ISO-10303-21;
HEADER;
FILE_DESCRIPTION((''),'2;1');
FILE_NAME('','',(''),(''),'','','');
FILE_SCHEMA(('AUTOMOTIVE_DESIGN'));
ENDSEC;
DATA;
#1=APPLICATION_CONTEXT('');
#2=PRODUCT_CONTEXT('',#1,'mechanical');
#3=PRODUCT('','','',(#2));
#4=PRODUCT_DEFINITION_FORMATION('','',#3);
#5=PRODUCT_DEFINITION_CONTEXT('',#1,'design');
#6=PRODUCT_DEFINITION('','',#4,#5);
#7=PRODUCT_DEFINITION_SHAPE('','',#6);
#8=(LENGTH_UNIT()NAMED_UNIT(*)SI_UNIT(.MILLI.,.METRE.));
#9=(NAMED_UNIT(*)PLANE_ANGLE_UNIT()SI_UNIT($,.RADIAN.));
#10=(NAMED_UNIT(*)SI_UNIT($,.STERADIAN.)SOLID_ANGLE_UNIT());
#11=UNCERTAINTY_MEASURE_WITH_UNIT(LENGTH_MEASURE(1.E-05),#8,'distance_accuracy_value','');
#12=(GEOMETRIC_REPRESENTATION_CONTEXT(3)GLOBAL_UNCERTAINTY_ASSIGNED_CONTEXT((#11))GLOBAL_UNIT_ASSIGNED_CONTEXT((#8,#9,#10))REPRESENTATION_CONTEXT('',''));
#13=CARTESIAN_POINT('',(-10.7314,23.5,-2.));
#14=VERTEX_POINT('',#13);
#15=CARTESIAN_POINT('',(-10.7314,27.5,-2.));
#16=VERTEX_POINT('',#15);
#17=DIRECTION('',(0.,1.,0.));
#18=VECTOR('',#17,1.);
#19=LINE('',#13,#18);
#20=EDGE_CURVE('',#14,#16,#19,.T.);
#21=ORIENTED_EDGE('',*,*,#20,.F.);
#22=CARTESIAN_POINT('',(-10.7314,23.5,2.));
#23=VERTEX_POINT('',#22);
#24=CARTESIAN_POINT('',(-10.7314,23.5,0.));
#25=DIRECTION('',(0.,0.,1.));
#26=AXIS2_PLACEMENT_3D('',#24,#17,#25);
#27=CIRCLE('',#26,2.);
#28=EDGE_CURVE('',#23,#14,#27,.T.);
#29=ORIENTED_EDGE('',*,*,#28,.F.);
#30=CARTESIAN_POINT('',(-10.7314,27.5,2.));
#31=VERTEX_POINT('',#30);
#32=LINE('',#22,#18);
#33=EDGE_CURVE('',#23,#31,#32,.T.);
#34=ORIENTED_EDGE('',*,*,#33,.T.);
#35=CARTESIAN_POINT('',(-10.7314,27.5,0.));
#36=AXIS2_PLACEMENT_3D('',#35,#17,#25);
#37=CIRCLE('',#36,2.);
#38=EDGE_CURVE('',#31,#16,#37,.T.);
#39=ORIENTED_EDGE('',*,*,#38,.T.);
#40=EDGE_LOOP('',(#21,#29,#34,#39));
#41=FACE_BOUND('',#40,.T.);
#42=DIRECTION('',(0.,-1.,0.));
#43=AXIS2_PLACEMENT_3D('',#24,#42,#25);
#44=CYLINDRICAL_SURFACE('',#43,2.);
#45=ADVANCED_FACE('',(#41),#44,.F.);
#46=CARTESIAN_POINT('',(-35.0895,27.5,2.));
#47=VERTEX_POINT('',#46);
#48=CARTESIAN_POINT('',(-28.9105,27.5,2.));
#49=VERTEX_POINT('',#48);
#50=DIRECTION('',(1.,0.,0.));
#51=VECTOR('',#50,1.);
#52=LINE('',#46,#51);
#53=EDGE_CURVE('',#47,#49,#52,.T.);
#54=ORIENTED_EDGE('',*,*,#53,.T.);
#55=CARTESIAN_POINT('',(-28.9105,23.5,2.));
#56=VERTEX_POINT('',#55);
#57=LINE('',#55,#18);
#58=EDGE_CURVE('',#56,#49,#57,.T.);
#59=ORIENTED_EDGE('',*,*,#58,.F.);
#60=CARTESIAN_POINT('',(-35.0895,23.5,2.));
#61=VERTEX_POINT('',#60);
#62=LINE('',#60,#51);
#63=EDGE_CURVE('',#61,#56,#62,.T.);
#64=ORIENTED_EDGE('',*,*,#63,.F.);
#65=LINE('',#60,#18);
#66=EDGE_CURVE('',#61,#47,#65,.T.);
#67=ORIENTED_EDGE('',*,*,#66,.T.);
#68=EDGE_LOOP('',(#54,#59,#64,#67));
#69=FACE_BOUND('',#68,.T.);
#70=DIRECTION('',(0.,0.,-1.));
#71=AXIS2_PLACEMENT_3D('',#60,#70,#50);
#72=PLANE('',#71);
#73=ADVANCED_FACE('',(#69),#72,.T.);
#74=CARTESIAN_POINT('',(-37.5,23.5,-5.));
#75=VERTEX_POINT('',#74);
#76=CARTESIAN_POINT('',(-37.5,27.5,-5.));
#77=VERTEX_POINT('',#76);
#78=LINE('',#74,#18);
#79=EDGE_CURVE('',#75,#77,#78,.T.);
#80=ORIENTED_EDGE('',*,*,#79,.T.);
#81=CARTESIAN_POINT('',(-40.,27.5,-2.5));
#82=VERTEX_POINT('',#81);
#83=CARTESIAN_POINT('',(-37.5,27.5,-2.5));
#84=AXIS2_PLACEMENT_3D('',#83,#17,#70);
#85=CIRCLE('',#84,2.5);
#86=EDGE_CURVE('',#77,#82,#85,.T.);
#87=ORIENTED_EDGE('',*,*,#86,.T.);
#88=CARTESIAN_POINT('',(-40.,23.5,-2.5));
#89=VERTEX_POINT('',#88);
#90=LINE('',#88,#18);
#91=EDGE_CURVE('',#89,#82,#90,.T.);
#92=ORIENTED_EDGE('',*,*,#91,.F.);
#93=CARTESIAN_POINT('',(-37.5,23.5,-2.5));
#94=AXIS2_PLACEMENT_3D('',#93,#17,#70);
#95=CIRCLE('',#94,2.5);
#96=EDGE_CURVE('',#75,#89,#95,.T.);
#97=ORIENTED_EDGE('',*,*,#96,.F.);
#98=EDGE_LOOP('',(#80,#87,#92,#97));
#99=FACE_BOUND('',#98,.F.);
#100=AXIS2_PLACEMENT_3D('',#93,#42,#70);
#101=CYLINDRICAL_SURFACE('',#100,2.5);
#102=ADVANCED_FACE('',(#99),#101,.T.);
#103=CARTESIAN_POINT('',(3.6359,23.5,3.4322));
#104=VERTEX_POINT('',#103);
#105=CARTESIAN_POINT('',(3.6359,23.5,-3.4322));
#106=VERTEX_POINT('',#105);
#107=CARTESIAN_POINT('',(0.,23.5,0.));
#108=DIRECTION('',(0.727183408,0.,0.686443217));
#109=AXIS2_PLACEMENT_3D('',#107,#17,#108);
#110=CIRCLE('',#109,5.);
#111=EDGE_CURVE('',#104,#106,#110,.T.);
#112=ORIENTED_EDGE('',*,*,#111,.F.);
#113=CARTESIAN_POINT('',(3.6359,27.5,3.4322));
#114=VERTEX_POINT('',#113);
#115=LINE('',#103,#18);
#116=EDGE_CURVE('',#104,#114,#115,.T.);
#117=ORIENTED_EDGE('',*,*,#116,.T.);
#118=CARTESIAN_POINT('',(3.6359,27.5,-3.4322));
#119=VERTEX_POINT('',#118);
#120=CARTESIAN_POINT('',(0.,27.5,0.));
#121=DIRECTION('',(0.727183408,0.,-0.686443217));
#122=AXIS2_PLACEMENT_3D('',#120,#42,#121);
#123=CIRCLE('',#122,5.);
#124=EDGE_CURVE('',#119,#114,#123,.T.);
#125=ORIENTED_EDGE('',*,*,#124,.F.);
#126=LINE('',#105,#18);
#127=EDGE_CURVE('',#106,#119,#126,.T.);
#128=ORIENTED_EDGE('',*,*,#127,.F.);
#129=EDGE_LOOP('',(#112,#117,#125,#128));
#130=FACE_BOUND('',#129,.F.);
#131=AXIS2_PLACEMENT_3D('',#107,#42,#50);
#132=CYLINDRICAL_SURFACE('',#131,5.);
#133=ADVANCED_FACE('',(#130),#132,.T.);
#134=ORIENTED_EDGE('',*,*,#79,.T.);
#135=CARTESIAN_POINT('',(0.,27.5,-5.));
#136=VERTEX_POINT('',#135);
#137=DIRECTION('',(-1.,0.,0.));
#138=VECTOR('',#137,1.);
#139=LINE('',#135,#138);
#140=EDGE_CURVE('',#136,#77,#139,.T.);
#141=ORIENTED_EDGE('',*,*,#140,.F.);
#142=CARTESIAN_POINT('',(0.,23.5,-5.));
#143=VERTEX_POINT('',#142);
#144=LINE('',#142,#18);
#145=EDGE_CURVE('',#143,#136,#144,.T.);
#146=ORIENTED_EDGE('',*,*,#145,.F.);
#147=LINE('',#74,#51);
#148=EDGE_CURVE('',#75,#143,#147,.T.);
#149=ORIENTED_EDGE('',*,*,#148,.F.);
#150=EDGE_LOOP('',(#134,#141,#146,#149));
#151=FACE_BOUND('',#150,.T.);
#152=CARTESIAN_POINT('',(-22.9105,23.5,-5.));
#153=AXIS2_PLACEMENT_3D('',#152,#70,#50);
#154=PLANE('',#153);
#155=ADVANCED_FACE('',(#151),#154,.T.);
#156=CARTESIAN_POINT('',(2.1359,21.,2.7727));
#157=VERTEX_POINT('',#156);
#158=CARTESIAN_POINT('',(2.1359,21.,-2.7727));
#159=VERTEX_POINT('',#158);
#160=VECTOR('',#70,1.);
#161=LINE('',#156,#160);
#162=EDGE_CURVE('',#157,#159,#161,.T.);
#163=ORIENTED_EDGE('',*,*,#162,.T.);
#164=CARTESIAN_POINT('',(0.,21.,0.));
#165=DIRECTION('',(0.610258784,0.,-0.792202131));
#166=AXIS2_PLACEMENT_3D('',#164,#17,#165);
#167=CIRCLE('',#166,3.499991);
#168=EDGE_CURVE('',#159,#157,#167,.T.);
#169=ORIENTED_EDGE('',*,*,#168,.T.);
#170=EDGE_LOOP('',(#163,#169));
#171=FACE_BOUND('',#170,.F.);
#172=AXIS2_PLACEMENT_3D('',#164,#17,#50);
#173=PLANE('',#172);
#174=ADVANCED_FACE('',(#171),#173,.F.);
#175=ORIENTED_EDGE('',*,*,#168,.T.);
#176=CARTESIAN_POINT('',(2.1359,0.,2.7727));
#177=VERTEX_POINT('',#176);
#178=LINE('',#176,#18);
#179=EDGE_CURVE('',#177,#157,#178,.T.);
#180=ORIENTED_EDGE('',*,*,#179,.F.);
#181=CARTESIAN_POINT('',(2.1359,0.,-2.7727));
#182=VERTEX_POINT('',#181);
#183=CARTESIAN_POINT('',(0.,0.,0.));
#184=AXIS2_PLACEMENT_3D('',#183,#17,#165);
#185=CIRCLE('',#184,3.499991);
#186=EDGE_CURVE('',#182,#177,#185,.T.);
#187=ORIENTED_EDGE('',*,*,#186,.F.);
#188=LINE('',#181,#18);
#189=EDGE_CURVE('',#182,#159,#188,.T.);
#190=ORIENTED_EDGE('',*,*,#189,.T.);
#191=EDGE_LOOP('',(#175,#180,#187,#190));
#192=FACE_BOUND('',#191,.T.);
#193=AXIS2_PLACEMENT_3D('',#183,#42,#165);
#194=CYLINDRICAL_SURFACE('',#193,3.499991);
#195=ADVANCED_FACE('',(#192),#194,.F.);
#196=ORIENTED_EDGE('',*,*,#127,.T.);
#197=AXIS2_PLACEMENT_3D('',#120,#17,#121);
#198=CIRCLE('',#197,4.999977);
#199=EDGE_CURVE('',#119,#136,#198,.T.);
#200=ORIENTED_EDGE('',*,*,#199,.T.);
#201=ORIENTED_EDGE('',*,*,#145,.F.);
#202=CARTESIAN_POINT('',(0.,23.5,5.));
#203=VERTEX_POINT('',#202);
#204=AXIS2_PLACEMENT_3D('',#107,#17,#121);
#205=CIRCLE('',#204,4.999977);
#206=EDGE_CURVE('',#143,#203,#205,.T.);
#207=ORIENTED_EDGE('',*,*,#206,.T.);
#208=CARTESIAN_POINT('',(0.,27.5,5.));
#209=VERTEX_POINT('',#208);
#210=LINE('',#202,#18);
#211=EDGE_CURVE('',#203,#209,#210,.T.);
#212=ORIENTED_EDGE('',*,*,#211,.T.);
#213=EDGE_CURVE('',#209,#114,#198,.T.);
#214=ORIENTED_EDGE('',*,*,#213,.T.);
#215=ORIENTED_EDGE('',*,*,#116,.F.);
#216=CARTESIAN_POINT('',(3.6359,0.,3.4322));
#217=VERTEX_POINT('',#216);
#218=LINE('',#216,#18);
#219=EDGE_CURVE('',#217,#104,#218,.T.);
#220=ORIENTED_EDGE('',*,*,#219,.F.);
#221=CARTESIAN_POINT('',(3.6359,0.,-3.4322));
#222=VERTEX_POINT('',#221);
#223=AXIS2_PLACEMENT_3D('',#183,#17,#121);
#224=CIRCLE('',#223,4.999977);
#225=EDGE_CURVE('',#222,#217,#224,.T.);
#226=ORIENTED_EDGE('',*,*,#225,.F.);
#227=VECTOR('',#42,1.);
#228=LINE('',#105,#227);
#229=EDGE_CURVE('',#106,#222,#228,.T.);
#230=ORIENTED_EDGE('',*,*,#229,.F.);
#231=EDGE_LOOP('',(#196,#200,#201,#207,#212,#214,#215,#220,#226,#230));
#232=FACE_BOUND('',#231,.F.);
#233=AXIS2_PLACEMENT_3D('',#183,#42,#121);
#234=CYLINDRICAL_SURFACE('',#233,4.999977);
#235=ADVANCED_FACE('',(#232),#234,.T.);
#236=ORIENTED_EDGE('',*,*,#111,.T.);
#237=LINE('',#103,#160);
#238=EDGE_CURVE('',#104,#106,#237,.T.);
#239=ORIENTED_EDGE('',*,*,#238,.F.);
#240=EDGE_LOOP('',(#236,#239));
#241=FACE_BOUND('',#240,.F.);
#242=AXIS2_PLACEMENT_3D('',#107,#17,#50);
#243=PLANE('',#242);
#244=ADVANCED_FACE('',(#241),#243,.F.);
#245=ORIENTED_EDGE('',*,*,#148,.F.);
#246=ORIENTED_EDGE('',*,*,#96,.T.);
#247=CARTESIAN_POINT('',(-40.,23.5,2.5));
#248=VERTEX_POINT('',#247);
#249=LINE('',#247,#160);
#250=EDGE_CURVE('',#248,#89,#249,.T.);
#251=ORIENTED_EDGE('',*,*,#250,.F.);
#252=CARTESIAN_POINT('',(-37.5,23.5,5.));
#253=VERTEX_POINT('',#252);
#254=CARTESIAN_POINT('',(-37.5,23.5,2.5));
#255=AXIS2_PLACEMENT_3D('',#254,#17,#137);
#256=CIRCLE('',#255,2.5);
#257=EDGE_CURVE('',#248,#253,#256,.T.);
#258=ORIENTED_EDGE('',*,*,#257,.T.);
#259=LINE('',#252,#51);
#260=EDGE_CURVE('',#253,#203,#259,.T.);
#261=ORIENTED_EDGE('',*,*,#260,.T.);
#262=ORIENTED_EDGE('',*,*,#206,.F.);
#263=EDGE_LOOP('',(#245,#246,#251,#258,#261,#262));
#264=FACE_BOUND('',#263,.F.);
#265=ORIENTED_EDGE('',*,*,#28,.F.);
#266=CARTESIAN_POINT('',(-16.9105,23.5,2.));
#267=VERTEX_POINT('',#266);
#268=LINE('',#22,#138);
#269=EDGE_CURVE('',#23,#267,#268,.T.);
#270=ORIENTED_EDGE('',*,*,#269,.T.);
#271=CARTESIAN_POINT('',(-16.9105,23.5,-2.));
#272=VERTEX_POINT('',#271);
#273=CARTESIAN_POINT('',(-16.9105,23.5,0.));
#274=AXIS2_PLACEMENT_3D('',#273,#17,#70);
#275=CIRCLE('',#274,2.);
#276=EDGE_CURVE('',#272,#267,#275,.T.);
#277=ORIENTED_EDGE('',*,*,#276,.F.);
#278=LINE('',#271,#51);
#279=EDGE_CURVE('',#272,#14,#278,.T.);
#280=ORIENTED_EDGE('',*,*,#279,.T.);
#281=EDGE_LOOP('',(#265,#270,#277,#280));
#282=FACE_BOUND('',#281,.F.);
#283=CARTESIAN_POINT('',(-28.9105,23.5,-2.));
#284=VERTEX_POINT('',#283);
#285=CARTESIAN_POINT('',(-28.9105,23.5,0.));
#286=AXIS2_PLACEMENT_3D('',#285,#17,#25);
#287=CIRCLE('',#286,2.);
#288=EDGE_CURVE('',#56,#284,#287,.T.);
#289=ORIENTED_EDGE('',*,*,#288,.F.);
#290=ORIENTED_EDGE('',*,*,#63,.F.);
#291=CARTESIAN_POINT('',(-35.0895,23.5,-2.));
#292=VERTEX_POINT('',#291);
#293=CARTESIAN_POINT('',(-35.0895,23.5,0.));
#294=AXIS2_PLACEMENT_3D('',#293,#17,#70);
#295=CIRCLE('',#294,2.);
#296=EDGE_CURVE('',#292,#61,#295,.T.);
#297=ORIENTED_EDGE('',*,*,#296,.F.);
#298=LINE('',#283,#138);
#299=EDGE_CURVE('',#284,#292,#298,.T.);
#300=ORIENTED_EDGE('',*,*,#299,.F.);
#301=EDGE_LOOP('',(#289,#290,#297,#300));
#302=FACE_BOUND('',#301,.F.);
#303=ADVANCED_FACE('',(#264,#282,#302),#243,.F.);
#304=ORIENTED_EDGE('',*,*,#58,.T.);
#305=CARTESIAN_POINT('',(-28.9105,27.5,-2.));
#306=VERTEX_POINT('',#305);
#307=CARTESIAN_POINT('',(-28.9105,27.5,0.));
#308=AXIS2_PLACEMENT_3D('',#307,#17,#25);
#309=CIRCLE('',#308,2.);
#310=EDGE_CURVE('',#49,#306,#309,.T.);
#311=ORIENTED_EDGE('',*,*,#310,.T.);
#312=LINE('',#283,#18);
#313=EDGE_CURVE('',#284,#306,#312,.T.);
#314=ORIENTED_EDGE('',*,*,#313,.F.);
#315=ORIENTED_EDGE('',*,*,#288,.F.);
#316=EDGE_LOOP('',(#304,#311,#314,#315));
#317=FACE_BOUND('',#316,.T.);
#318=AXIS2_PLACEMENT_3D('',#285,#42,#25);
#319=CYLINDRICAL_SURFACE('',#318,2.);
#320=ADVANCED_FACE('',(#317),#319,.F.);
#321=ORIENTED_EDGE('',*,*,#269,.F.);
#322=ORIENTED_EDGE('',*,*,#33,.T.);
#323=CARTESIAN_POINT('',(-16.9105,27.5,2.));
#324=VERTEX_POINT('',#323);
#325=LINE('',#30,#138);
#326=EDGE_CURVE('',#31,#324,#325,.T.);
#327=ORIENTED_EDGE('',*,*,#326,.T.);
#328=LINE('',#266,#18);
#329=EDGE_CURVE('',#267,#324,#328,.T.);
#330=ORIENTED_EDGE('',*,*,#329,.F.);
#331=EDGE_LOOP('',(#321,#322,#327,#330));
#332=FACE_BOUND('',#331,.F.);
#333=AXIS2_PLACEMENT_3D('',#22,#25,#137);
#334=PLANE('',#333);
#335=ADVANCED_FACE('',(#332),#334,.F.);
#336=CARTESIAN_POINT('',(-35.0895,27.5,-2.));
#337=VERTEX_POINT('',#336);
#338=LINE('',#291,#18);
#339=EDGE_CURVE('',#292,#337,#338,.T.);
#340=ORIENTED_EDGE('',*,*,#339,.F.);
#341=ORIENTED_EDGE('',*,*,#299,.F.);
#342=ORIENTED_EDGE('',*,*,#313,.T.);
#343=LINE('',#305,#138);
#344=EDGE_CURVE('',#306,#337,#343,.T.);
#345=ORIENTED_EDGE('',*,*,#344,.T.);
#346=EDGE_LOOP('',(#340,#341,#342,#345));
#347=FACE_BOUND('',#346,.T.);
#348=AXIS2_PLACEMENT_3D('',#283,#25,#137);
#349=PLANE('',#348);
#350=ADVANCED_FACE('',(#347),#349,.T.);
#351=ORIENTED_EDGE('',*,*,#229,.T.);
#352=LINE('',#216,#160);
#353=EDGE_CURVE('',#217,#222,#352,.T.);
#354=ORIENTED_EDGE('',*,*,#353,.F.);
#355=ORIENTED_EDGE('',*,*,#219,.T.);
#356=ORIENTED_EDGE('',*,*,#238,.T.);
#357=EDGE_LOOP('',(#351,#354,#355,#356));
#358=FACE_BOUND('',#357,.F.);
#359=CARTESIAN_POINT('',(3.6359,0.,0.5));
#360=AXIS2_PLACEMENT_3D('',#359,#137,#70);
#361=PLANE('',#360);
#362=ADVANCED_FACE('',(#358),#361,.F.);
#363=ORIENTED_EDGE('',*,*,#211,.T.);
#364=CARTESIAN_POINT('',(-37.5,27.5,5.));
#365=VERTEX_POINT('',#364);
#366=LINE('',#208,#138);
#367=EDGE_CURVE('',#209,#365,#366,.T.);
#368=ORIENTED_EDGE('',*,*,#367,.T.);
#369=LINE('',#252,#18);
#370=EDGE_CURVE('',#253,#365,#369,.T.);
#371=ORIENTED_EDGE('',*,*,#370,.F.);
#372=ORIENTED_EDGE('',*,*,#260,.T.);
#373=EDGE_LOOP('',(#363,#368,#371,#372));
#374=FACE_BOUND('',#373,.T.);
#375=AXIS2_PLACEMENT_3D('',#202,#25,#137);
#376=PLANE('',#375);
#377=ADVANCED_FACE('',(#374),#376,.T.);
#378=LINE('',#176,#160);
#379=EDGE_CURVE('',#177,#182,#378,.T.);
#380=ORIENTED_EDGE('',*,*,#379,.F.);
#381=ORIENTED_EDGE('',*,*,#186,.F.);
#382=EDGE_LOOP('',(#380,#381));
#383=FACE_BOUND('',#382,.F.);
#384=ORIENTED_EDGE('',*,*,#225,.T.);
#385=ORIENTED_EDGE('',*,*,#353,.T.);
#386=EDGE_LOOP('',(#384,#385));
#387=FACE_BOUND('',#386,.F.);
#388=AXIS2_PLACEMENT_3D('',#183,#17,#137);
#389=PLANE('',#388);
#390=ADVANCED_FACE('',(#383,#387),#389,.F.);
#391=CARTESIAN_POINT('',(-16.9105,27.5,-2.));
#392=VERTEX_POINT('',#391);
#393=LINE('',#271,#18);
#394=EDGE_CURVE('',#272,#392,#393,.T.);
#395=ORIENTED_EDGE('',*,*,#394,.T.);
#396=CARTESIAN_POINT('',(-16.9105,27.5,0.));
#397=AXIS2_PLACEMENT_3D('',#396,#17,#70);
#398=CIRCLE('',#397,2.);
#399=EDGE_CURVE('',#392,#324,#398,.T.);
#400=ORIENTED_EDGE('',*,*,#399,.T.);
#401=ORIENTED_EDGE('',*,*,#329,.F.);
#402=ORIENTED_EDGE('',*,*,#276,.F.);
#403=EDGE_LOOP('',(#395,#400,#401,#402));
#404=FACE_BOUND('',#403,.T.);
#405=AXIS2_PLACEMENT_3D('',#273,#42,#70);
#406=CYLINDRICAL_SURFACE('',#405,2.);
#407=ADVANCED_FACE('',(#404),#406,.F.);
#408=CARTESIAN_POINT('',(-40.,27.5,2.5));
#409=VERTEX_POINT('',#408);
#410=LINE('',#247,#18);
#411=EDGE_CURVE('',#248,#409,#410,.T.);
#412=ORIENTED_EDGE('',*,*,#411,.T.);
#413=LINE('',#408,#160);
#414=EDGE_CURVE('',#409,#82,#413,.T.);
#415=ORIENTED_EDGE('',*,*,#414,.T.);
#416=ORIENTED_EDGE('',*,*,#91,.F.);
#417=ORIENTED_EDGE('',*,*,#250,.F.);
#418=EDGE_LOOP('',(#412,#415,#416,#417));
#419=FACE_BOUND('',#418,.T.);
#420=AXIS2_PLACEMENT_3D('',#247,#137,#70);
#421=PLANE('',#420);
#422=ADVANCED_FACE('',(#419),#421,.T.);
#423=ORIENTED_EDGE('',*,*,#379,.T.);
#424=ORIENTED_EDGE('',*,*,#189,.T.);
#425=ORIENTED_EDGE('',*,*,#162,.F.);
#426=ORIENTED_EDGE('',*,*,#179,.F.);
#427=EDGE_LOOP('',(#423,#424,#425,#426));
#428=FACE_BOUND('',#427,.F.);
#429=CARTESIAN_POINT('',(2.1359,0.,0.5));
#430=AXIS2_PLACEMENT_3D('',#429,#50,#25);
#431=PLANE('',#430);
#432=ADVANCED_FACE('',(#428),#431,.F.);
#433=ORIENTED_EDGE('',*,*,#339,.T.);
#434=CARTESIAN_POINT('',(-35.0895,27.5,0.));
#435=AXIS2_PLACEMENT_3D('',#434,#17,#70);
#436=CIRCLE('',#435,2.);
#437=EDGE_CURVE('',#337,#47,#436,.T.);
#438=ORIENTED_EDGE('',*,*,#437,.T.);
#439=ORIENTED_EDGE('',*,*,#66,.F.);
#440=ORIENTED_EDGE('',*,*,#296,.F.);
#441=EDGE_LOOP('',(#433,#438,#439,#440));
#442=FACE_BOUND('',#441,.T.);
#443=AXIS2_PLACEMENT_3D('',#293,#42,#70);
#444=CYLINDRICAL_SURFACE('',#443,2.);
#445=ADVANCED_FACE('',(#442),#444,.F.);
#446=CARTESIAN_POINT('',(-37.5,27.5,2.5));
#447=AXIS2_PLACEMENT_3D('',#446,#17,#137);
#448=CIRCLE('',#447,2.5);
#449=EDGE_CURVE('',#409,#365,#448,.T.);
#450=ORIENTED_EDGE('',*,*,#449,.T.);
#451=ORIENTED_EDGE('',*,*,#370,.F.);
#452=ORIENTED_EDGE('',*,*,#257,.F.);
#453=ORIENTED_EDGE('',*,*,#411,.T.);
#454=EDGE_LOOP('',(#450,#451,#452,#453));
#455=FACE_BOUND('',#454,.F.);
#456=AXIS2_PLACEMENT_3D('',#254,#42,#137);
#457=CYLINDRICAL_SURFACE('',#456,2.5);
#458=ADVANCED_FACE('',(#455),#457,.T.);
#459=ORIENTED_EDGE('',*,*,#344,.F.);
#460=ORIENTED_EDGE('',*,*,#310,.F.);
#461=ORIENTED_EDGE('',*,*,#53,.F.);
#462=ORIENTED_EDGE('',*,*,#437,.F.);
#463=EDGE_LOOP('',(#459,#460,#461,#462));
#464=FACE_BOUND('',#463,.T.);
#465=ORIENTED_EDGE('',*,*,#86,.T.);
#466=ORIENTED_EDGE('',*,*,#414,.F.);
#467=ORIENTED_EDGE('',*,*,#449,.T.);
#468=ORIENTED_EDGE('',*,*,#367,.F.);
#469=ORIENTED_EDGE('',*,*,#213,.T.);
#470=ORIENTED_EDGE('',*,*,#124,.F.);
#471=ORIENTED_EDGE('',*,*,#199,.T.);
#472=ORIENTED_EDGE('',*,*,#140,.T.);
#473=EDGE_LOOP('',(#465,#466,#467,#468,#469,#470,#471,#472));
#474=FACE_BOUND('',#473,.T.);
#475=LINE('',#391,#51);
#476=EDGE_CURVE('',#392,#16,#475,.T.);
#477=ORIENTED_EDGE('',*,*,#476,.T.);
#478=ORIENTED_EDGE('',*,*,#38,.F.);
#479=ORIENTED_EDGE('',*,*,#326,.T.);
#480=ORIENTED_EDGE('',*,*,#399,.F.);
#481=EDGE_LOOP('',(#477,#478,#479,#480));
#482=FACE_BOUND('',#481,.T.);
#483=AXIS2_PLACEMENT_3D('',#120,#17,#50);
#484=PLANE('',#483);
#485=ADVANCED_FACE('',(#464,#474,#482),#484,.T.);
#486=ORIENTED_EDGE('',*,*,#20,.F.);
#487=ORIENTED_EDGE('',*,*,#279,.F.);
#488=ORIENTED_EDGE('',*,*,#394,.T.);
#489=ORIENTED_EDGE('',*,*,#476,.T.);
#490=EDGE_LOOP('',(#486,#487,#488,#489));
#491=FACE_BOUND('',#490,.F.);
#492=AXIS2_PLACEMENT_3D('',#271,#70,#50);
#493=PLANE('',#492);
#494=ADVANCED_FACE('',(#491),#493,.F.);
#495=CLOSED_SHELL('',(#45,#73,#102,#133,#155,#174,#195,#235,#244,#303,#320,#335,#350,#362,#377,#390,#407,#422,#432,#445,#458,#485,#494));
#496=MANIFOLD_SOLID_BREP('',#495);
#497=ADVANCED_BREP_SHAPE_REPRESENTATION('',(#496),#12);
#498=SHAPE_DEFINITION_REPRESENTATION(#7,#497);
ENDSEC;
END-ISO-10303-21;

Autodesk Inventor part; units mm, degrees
ref_plane "YZ Plane" through (0, 0, 0) normal (1, 0, 0) x (0, 1, 0)
ref_plane "XZ Plane" through (0, 0, 0) normal (0, 1, 0) x (-1, 0, 0)
ref_plane "XY Plane" through (0, 0, 0) normal (0, 0, 1) x (1, 0, 0)
sketch "Sketch1" plane through (0, 0, 0) normal (0, 1, 0) x (-1, 0, 0)
  arc A0 (-2.1359, -2.7727) -> (-2.1359, 2.7727) centre (0, 0) ccw
  line L0 (3.4641, 0.5) -> (-2.1359, 0.5)
  line L1 (-2.1359, 0.5) -> (-2.1359, -2.7727)
  line L2 (-2.1359, 0.5) -> (-2.1359, 2.7727)
  line L3 (-3.6359, 3.4322) -> (-3.6359, 0.5)
  line L4 (-3.6359, 0.5) -> (-3.6359, -3.4322)
  arc A1 (-3.6359, -3.4322) -> (-3.6359, 3.4322) centre (0, 0) ccw
  dimension "d0" = 7
  dimension "d1" = 5.6
  dimension "d2" = 3
  dimension "d3" = 1.5
extrude "Extrusion1" add sketch "Sketch1" along normal blind 21
sketch "Sketch2" plane through (0, 21, 0) normal (0, 1, 0) x (1, 0, 0)
  line L0 (3.6359, -3.4322) -> (3.6359, 3.4322) projected
  arc A0 (3.6359, 3.4322) -> (3.6359, -3.4322) centre (0, 0) ccw projected
  line L1 (2.1359, 2.7727) -> (2.1359, -2.7727) projected
  arc A1 (2.1359, 2.7727) -> (2.1359, -2.7727) centre (0, 0) ccw projected
extrude "Extrusion2" add sketch "Sketch2" along normal blind 2.5 contours A0 L0 | L1 A1
sketch "Sketch4" plane through (0, 23.5, 0) normal (0, 1, 0) x (1, 0, 0)
  arc A0 (3.6359, 3.4322) -> (3.6359, -3.4322) centre (0, 0) ccw projected
  line L0 (3.6359, -3.4322) -> (3.6359, 3.4322) projected
  circle A1 centre (0, 0) radius 5
  line L1 (0, -5) -> (-37.5, -5)
  line L2 (-40, -2.5) -> (-40, 2.5)
  line L3 (-37.5, 5) -> (0, 5)
  arc A2 (-40, -2.5) -> (-37.5, -5) centre (-37.5, -2.5) ccw
  arc A3 (-37.5, 5) -> (-40, 2.5) centre (-37.5, 2.5) ccw
  line L4 (-35.0895, 0) -> (-28.9105, 0) construction
  line L5 (-35.0895, -2) -> (-28.9105, -2)
  line L6 (-28.9105, 2) -> (-35.0895, 2)
  arc A4 (-35.0895, 2) -> (-35.0895, -2) centre (-35.0895, 0) ccw
  arc A5 (-28.9105, -2) -> (-28.9105, 2) centre (-28.9105, 0) ccw
  line L7 (-22.9105, 5) -> (-22.9105, -5)
  line L8 (-10.7314, 0) -> (-16.9105, 0) construction
  line L9 (-10.7314, -2) -> (-16.9105, -2)
  line L10 (-16.9105, 2) -> (-10.7314, 2)
  arc A6 (-10.7314, -2) -> (-10.7314, 2) centre (-10.7314, 0) ccw
  arc A7 (-16.9105, 2) -> (-16.9105, -2) centre (-16.9105, 0) ccw
  point P0 (-40, -5)
  point P1 (-32, 0)
  point P2 (-40, 0)
  point P3 (-26.9105, 0)
  point P4 (-8.321, -2.5)
  point P5 (-8.321, 2.5)
  point P6 (-13.821, 0)
  point P7 (-18.9105, 0)
  point P8 (3.6359, -3.4322)
  point P9 (3.6359, 3.4322)
  dimension "d28" = 40
  dimension "d29" = 2.5
  dimension "d30" = 4
  dimension "d31" = 8
  dimension "d32" = 4
  dimension "d33" = 26.5464
extrude "Extrusion4" add sketch "Sketch4" along normal blind 4
properties part number "Sensor_Connect_Knob_Brake"
